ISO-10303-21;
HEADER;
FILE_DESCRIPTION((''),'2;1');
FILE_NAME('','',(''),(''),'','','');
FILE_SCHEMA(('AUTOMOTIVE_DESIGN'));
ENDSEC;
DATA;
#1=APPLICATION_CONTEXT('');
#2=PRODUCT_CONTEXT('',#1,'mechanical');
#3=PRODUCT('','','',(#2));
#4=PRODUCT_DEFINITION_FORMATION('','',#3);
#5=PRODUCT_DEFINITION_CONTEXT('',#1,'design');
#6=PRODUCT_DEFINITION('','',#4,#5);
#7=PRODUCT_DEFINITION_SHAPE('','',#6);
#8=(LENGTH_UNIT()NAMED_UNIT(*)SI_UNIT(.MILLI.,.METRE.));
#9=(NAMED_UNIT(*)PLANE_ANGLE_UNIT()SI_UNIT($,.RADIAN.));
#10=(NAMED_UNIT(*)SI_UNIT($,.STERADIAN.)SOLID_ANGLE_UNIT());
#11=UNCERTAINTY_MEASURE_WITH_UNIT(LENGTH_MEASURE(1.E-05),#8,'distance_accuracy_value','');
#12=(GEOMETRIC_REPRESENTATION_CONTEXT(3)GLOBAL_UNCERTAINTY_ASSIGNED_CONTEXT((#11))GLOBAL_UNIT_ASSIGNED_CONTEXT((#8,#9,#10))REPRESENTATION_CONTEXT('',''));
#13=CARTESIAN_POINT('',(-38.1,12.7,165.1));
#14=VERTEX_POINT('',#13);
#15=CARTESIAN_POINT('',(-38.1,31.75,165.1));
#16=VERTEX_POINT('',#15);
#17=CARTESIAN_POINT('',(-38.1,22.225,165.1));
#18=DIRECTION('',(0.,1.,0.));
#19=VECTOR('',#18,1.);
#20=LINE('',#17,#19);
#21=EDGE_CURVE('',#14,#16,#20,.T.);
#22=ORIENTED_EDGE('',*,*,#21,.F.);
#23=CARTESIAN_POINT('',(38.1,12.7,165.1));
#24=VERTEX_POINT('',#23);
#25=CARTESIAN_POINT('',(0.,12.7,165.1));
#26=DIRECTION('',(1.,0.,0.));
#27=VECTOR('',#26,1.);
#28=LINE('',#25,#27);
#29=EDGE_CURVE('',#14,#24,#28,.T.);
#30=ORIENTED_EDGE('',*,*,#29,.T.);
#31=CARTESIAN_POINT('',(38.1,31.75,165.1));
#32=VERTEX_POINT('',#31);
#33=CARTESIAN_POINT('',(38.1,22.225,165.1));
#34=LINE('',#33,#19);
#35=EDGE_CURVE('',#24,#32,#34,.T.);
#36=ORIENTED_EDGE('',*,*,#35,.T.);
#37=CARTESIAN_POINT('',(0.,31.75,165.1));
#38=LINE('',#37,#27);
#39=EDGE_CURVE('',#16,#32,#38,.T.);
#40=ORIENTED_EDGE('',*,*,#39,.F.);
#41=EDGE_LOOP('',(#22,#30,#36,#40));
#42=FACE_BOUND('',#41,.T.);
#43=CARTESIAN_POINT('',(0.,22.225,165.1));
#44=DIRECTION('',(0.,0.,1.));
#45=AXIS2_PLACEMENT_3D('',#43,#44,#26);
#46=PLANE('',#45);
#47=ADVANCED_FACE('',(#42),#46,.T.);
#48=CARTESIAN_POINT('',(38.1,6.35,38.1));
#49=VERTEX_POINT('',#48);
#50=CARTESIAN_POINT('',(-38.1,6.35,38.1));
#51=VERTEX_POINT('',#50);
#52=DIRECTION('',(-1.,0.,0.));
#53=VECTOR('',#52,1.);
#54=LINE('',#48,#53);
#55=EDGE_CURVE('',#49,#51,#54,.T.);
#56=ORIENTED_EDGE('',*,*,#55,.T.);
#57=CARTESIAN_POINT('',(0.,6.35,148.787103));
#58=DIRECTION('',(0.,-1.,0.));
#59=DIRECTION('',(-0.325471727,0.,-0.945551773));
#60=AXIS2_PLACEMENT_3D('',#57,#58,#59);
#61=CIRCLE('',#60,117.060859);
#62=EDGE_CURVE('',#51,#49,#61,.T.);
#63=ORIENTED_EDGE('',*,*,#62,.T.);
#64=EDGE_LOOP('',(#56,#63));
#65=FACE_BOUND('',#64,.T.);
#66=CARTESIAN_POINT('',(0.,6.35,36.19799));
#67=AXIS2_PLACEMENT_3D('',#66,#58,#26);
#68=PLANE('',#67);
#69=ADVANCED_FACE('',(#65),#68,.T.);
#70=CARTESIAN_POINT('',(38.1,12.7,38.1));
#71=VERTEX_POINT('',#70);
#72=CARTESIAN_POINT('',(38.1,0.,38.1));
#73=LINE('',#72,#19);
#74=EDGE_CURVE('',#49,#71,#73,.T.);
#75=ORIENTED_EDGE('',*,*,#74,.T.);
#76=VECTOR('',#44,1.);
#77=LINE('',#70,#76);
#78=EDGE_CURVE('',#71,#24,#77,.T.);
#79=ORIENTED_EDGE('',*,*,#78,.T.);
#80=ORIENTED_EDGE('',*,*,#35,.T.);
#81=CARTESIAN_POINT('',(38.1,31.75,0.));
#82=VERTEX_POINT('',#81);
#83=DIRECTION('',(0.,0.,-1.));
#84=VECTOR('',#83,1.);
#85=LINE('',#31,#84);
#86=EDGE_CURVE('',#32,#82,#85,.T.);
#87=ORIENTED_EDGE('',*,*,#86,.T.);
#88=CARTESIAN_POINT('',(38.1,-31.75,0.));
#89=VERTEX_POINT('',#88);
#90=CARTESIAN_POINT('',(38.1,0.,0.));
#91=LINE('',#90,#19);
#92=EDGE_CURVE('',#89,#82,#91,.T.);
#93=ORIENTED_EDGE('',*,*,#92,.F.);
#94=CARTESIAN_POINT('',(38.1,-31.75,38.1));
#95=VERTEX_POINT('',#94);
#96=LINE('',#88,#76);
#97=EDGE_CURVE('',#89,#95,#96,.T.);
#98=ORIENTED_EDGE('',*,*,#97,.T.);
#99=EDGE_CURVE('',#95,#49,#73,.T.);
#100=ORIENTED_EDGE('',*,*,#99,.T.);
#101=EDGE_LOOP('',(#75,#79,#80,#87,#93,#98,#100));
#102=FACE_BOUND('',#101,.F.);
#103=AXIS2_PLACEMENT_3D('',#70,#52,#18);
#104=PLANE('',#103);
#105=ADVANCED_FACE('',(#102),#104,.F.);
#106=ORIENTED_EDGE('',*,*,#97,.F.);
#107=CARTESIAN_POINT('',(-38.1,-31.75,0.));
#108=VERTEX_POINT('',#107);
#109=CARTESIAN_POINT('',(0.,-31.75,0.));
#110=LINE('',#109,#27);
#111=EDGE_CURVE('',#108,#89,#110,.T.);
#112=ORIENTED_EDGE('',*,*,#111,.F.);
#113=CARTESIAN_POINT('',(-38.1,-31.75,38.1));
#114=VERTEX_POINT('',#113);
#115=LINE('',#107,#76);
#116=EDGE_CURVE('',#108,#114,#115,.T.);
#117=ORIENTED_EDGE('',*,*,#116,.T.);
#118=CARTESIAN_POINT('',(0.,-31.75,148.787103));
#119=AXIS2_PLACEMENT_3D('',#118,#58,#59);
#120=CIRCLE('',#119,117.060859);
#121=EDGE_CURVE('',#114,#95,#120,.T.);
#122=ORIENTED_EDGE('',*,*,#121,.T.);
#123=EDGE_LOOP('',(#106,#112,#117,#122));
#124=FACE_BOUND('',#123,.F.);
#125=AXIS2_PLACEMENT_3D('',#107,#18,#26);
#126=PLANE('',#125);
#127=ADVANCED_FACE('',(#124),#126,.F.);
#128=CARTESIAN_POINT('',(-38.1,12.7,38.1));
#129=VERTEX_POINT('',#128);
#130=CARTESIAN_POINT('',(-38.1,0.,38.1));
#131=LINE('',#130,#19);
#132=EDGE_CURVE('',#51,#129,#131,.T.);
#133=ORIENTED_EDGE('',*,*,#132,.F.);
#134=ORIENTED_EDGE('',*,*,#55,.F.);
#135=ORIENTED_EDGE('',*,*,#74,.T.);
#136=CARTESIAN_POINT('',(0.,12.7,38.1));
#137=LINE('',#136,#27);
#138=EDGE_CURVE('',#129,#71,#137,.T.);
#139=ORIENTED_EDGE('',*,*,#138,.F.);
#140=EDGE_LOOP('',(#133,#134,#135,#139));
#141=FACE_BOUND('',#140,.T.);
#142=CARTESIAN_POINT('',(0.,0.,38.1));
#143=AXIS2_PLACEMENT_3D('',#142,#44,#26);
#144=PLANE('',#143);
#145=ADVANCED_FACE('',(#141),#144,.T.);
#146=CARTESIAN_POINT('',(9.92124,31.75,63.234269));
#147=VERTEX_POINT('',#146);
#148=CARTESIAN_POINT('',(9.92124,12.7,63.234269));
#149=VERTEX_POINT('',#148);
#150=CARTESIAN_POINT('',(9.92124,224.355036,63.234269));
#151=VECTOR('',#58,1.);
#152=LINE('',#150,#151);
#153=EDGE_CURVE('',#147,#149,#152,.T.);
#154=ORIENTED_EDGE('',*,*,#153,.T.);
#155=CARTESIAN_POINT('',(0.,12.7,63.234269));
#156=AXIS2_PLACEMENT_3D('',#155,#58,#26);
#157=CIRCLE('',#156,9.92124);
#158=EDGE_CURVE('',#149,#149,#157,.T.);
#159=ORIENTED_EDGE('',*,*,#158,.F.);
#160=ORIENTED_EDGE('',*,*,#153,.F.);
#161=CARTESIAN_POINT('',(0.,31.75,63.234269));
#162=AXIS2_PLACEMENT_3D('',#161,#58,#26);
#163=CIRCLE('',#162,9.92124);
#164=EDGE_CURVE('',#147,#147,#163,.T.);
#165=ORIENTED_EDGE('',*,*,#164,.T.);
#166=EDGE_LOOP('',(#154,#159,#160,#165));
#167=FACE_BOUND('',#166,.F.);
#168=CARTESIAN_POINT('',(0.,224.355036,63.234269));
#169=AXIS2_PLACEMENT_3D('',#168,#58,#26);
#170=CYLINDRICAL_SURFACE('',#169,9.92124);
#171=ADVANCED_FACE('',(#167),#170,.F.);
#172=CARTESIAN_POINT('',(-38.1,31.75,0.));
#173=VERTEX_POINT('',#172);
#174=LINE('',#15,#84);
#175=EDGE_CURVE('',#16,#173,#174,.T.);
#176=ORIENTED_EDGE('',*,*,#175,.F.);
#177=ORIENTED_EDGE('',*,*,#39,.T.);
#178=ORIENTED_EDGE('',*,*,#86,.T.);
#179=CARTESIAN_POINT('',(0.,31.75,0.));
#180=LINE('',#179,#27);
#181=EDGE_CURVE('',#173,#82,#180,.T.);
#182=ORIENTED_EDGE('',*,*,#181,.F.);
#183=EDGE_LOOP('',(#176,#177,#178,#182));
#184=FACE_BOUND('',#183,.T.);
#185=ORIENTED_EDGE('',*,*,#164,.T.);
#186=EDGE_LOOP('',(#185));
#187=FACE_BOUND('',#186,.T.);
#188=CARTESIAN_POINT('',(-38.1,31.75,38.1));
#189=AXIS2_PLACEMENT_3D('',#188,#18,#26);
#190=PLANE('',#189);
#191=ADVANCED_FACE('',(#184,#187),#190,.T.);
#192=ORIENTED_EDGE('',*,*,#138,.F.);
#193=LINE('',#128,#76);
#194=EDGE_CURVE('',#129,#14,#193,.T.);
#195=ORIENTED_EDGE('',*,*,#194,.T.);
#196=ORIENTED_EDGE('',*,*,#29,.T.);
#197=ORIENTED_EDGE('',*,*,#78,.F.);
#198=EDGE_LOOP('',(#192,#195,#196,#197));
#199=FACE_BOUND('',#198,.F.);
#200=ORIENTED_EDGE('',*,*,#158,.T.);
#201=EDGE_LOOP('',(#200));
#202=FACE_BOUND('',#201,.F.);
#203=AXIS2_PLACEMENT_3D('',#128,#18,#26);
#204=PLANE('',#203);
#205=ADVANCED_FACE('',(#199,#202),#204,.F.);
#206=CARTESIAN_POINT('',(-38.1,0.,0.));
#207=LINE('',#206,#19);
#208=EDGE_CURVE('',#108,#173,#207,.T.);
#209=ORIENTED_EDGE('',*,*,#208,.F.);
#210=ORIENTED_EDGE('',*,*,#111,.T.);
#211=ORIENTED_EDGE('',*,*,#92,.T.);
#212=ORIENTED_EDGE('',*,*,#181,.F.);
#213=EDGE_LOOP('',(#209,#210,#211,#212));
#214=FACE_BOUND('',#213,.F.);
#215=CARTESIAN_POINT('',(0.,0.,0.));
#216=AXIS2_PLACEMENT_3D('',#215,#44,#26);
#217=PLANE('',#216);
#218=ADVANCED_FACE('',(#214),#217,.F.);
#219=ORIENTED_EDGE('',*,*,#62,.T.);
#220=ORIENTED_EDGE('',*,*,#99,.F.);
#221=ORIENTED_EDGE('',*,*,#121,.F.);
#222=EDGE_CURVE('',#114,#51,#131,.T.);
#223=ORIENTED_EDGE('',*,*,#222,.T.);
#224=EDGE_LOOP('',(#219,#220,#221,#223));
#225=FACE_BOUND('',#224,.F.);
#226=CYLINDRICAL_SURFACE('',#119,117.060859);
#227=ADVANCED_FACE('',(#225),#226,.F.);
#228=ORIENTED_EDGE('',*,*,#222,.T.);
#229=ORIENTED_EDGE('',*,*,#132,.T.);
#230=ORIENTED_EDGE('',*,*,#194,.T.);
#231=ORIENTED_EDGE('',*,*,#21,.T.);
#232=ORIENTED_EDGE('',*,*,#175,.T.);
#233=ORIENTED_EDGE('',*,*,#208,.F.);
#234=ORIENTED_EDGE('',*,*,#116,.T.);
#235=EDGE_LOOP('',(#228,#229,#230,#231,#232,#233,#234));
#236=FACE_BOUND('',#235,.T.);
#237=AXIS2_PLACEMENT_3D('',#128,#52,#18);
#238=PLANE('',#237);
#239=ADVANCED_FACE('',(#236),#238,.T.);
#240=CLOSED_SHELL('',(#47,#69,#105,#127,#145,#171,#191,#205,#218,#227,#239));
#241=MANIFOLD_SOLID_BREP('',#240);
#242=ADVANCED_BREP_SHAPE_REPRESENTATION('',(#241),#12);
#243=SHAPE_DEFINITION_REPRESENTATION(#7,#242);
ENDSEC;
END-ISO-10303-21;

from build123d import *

# Parameters (mm, degrees)
F0_W     = 76.2
F0_H     = 63.5
F1_DEPTH = 38.1
F2_W     = 76.2
F2_H     = 19.05
F7_DEPTH = 127
F4_D     = 19.84248
F6_DEPTH = 38.1


with BuildPart() as f1:
    # F0 (on Top) → F1 (new body)
    with BuildSketch(Plane.XY):
        Rectangle(F0_W, F0_H)
    extrude(amount=F1_DEPTH)

    # F2 (on face) → F7 (join)
    with BuildSketch(Plane.XY.offset(38.1)):
        with Locations((0, 22.225)):
            Rectangle(F2_W, F2_H)
    extrude(amount=F7_DEPTH)

    # F4 (through all)
    with Locations(Plane(origin=(0, 31.75, 0), x_dir=(-1, 0, 0), z_dir=(0, 1, 0))):
        with Locations((0, 63.2342693158)):
            Hole(F4_D / 2)

    # F5 (on face) → F6 (cut, through all)
    with BuildSketch(Plane.XZ.offset(31.75)):
        with BuildLine():
            Line((38.1, 38.1), (-38.1, 38.1))
            ThreePointArc((-38.1, 38.1), (0, 31.7262437458), (38.1, 38.1))
        make_face()
    extrude(amount=-F6_DEPTH, mode=Mode.SUBTRACT)


solid = f1.part
